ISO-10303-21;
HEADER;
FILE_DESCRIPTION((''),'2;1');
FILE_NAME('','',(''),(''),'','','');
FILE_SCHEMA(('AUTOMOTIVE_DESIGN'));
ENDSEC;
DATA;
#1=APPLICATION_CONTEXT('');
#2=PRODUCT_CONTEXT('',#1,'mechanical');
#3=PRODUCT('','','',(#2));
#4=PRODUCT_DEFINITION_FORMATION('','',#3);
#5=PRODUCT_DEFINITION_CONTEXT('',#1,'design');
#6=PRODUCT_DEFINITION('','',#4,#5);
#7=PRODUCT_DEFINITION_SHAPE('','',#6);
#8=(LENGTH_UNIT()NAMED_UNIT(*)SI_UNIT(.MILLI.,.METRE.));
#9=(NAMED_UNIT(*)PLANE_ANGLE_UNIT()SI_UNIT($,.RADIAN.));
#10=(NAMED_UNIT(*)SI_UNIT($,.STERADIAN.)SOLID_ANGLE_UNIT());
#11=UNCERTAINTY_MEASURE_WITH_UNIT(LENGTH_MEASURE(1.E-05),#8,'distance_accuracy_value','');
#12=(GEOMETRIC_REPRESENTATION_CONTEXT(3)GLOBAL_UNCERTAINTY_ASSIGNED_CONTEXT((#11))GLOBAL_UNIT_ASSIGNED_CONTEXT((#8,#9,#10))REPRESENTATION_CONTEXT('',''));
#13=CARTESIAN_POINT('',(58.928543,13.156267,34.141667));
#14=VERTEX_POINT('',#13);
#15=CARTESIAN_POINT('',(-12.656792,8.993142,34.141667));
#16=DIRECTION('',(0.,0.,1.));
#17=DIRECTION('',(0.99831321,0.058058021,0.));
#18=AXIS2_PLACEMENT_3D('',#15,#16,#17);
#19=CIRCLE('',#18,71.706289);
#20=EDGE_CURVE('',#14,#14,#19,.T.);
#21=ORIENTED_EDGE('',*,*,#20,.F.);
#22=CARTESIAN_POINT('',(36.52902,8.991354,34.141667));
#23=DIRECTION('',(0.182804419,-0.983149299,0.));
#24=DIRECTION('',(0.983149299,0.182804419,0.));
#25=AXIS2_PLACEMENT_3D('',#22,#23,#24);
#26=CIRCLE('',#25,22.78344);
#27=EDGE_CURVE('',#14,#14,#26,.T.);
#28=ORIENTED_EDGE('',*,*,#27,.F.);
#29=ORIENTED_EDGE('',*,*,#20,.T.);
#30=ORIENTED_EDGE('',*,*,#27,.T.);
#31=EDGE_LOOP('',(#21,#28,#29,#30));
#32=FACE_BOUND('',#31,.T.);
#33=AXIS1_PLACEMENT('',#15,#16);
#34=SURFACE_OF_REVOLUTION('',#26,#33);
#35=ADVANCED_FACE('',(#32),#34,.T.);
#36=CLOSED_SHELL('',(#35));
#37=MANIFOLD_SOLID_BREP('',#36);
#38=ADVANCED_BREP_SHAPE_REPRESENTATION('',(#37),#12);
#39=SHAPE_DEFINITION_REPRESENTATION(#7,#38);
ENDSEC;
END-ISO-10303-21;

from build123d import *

# Parameters (mm, degrees)
F0_R = 22.78344


with BuildPart() as f3:
    # F3: sweep along a path in F2
    with BuildLine(Plane.XY.offset(34.14167)) as f3_path:
        CenterArc((-12.656792, 8.993142), 49.19543, 0, 360)
    # F0 (on Front) → F3 (sweep)
    with BuildSketch(Plane.XZ):
        with Locations((35.699878, 34.141667)):
            Circle(F0_R)
    sweep(path=f3_path.line)


solid = f3.part
